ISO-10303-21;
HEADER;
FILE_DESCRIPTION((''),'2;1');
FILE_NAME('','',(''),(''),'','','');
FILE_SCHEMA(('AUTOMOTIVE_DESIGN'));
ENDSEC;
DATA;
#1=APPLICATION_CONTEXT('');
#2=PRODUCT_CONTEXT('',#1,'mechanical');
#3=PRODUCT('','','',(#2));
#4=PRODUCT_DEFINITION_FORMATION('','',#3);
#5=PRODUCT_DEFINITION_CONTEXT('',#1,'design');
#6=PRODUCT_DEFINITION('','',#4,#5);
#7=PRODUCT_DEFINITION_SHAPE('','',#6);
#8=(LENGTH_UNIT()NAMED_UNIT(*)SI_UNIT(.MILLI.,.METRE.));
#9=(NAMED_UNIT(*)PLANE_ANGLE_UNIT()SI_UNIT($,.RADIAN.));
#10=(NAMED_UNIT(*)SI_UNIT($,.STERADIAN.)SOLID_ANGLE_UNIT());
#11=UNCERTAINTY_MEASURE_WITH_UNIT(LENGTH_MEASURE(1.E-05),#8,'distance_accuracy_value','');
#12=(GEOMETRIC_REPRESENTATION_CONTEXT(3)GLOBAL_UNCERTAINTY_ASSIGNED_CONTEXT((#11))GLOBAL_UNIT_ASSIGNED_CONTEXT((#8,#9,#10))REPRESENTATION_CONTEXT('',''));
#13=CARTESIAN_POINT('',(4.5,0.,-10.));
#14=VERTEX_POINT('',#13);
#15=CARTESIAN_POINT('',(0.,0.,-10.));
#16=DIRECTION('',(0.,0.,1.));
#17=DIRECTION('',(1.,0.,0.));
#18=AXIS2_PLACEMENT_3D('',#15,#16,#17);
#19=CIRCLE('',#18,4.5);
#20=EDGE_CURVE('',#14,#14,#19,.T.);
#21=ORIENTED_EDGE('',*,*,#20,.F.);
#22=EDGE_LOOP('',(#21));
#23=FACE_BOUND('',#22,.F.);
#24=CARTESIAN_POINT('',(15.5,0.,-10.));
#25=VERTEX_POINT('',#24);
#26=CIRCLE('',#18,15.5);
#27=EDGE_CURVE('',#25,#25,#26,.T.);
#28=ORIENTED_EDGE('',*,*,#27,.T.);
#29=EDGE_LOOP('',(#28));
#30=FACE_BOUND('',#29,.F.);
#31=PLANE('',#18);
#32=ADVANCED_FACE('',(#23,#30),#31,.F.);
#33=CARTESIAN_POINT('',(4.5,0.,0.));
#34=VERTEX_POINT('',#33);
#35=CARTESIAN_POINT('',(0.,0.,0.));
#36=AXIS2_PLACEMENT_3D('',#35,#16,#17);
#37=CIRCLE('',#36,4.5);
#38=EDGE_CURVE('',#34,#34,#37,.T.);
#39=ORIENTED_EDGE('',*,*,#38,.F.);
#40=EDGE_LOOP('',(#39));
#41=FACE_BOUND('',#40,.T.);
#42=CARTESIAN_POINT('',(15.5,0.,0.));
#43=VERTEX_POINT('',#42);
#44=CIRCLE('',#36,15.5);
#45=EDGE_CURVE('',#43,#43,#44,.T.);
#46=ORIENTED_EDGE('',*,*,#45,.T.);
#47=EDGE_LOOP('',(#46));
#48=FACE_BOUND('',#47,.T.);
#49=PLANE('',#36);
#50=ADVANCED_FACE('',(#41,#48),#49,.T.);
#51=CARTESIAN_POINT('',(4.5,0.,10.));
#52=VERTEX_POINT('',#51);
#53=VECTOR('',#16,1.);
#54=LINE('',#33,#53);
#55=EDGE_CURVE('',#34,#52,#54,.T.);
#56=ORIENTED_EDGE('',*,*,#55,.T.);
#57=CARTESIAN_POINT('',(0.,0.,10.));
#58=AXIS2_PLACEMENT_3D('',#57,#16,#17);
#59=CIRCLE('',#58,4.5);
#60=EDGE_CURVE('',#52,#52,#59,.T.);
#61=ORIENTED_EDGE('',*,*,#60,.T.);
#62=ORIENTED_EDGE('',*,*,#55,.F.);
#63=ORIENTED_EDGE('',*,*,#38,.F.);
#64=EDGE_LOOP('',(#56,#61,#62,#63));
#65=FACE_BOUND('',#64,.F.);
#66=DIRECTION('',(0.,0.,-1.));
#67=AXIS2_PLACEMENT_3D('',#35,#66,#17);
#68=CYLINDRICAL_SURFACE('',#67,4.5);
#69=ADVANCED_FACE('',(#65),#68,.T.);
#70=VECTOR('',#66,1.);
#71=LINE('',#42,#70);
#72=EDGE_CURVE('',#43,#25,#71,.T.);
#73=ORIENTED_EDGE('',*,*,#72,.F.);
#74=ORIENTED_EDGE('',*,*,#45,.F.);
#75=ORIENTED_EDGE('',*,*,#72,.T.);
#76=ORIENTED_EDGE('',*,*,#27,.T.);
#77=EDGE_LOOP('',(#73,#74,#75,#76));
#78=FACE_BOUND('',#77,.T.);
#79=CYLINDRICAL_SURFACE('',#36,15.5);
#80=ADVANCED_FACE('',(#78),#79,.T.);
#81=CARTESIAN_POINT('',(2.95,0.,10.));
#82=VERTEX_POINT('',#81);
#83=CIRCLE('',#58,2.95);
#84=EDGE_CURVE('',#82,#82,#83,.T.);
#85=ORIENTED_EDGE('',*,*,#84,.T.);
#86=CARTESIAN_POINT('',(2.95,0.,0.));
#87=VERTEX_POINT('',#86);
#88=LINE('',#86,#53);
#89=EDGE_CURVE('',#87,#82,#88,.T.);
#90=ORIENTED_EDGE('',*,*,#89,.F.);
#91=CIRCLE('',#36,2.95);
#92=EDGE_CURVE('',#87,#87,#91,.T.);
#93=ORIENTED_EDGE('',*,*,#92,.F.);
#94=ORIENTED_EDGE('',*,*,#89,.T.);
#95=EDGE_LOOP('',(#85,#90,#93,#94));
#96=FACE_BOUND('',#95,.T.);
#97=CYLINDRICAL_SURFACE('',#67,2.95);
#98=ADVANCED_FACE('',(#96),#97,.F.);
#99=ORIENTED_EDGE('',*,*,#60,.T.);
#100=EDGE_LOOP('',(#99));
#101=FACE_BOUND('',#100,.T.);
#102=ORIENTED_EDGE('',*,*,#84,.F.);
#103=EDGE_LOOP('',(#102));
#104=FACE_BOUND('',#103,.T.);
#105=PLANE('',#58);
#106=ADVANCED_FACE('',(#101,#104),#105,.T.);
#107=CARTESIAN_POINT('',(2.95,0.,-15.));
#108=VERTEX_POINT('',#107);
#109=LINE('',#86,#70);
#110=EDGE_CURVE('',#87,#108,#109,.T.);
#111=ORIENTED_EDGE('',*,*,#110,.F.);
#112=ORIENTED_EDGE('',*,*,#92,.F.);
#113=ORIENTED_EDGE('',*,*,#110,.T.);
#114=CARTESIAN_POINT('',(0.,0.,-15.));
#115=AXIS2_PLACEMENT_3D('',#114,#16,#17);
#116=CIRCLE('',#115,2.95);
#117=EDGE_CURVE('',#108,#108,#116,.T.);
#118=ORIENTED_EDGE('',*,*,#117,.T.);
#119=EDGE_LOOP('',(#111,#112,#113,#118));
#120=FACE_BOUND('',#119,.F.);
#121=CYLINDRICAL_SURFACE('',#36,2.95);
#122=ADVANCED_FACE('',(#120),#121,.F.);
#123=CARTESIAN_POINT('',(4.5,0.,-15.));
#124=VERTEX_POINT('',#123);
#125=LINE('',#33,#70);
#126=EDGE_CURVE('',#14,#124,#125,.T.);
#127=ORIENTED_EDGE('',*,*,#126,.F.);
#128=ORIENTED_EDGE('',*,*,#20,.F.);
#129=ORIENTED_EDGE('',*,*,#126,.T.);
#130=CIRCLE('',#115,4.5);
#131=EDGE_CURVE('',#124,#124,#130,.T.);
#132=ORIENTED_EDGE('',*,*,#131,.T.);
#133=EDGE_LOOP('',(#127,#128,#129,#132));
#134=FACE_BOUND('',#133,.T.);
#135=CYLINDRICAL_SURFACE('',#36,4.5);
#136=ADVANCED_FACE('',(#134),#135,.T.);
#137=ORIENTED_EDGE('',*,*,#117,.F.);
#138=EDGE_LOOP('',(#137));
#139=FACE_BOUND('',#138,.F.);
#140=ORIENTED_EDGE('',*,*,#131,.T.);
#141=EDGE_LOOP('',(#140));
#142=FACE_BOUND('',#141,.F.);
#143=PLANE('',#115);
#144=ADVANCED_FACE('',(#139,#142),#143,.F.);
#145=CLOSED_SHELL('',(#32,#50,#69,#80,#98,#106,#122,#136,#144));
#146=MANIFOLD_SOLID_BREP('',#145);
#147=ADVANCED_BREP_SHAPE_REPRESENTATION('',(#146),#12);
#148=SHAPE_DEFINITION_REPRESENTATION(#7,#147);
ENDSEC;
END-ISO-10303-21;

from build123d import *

# Parameters (mm, degrees)
F0_R     = 4.5
F0_R_2   = 2.95
F1_DEPTH = 10
F0_R_3   = 15.5
F2_DEPTH = 10
F3_DEPTH = 15


with BuildPart() as f1:
    # F0 (on Top) → F1 (new body)
    with BuildSketch(Plane.XY):
        Circle(F0_R)
        Circle(F0_R_2, mode=Mode.SUBTRACT)
    extrude(amount=F1_DEPTH)

    # F0 (on Top) → F2 (join)
    with BuildSketch(Plane.XY):
        Circle(F0_R_3)
        Circle(F0_R, mode=Mode.SUBTRACT)
    extrude(amount=-F2_DEPTH)

    # F3 (add): a face of the model
    f3_faces = [f1.faces().sort_by_distance(p)[0] for p in [
        (-4.3727207794, 0, 0),
    ]]
    extrude(f3_faces, amount=F3_DEPTH)


solid = f1.part
